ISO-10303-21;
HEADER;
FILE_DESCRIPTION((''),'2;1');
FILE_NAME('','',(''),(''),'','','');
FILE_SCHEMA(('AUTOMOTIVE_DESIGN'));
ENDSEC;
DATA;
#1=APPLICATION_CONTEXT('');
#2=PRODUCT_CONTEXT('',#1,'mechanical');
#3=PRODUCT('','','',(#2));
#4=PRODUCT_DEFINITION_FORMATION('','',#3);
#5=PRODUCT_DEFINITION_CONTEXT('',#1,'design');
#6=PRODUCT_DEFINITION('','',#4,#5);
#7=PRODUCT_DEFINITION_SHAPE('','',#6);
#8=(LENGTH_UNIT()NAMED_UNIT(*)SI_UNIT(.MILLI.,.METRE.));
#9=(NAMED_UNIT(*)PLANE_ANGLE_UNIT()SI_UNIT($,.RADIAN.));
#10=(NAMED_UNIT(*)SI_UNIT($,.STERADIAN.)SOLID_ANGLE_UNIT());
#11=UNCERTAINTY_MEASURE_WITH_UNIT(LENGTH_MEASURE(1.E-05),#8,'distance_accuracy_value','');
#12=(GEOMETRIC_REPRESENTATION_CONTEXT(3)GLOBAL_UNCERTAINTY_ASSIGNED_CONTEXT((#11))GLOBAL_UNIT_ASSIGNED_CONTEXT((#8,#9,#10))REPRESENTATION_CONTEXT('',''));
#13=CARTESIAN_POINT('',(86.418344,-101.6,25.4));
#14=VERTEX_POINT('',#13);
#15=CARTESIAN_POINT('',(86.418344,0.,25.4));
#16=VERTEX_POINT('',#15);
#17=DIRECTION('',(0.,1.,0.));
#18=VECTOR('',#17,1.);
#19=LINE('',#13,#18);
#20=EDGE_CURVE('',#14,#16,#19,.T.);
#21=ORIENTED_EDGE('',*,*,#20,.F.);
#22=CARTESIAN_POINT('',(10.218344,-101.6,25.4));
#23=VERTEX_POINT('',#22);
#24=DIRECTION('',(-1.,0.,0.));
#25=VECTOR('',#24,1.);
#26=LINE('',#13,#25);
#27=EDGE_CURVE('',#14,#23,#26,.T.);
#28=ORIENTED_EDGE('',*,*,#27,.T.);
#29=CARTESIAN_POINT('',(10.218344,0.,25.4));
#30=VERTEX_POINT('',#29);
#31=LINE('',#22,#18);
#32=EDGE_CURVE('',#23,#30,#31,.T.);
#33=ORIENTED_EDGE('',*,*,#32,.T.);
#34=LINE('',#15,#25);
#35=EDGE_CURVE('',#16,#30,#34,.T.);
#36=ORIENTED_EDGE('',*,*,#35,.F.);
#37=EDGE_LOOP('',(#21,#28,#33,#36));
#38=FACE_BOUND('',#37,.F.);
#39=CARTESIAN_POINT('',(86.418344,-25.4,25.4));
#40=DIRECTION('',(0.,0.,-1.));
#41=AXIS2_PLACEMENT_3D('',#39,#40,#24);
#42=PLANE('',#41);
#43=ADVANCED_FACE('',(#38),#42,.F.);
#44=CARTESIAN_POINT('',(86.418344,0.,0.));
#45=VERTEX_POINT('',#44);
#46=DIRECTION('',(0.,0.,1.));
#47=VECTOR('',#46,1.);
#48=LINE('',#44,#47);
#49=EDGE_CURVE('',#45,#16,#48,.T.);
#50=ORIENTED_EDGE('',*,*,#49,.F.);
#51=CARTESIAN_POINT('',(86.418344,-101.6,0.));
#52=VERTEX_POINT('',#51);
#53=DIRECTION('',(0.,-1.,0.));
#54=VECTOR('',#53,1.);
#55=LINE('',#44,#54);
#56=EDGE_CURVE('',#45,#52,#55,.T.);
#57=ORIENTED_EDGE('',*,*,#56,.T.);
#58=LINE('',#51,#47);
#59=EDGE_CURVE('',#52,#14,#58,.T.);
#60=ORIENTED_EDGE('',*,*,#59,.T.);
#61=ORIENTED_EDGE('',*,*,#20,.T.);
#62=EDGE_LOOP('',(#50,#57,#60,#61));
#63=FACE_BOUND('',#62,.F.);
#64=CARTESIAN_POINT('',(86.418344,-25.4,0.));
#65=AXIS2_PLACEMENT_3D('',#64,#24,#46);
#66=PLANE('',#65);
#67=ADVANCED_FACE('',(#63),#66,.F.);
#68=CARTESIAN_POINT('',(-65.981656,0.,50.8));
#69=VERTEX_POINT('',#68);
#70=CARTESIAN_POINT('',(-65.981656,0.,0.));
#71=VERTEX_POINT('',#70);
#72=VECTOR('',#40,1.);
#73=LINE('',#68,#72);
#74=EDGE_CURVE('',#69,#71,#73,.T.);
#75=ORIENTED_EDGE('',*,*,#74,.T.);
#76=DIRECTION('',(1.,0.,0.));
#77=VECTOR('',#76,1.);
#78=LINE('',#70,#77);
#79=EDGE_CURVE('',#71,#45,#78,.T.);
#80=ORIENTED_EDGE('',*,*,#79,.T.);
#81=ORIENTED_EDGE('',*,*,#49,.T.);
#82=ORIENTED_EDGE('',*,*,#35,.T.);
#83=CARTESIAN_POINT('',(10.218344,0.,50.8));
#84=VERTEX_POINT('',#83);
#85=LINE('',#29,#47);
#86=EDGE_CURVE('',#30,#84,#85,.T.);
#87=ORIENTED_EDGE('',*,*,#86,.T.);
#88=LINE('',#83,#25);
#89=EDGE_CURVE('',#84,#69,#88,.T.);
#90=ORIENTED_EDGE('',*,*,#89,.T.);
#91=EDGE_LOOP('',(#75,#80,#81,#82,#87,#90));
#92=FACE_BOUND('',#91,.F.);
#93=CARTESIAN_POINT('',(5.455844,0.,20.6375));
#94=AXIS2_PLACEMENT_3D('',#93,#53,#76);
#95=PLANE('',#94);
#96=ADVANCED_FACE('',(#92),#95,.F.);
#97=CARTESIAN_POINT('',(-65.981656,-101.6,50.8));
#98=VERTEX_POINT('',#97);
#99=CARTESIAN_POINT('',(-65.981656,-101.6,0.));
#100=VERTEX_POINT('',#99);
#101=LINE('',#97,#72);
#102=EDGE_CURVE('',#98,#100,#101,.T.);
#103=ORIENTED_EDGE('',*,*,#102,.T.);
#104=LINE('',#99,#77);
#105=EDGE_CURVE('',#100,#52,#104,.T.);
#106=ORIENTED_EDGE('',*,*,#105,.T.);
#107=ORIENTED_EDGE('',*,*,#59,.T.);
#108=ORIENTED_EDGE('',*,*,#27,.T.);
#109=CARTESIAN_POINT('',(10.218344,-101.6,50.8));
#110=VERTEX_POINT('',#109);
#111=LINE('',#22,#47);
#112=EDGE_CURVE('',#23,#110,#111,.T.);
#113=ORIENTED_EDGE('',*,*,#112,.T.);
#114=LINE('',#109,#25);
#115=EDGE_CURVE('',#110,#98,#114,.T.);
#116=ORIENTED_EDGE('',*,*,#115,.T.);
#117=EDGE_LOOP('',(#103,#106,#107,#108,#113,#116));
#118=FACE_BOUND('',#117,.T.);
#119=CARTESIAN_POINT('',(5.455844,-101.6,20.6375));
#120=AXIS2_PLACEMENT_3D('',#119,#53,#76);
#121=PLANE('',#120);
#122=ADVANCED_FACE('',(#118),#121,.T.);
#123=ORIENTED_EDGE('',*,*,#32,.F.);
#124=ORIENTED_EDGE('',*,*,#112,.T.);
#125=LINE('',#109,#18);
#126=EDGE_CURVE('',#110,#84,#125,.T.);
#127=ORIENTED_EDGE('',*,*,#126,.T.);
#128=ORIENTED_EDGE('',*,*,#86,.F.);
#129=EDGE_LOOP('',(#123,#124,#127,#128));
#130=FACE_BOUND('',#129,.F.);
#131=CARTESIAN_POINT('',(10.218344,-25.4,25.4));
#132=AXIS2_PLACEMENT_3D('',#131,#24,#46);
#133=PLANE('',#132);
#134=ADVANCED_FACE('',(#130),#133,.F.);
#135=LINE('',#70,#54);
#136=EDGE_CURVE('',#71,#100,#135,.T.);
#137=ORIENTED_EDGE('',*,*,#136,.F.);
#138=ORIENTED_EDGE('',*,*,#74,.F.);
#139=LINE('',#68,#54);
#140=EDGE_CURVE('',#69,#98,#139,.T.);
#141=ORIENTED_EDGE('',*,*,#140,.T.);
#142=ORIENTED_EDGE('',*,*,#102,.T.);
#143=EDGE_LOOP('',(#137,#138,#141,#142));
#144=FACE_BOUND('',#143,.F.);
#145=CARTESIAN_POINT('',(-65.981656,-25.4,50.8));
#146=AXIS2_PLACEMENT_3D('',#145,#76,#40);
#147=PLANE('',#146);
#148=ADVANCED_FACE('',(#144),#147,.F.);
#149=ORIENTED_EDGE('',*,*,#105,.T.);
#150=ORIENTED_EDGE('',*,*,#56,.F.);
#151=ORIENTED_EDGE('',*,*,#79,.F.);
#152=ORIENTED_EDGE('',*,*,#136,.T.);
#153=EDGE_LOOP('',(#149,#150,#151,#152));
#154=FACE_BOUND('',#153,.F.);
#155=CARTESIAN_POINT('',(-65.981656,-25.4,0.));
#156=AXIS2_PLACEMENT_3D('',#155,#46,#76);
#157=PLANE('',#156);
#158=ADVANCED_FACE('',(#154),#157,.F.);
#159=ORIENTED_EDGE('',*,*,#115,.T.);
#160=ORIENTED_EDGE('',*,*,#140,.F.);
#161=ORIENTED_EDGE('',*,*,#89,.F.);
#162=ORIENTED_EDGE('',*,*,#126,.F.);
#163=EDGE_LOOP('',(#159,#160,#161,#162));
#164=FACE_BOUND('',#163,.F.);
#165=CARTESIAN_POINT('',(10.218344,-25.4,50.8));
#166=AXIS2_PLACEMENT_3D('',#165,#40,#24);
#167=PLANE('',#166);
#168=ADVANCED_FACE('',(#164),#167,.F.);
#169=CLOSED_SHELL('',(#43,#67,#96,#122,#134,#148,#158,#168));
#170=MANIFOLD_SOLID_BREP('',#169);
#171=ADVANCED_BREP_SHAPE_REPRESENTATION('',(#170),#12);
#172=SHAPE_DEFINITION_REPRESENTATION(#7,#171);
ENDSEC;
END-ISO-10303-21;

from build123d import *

# Parameters (mm, degrees)
F1_DEPTH = 25.4
F2_DEPTH = 76.2


with BuildPart() as f1:
    # F0 (on Front) → F1 (new body)
    with BuildSketch(Plane.XZ):
        Polygon((10.218344, 50.8), (-65.981656, 50.8), (-65.981656, 0), (86.418344, 0), (86.418344, 25.4), (10.218344, 25.4), align=None)
    extrude(amount=F1_DEPTH)

    # F1_face (on face) → F2 (join)
    with BuildSketch(Plane(origin=(-2.481656, -25.4, 21.166667), x_dir=(1, 0, 0), z_dir=(0, -1, 0))):
        Polygon((12.7, 29.633333), (-63.5, 29.633333), (-63.5, -21.166667), (88.9, -21.166667), (88.9, 4.233333), (12.7, 4.233333), align=None)
    extrude(amount=F2_DEPTH)


solid = f1.part
